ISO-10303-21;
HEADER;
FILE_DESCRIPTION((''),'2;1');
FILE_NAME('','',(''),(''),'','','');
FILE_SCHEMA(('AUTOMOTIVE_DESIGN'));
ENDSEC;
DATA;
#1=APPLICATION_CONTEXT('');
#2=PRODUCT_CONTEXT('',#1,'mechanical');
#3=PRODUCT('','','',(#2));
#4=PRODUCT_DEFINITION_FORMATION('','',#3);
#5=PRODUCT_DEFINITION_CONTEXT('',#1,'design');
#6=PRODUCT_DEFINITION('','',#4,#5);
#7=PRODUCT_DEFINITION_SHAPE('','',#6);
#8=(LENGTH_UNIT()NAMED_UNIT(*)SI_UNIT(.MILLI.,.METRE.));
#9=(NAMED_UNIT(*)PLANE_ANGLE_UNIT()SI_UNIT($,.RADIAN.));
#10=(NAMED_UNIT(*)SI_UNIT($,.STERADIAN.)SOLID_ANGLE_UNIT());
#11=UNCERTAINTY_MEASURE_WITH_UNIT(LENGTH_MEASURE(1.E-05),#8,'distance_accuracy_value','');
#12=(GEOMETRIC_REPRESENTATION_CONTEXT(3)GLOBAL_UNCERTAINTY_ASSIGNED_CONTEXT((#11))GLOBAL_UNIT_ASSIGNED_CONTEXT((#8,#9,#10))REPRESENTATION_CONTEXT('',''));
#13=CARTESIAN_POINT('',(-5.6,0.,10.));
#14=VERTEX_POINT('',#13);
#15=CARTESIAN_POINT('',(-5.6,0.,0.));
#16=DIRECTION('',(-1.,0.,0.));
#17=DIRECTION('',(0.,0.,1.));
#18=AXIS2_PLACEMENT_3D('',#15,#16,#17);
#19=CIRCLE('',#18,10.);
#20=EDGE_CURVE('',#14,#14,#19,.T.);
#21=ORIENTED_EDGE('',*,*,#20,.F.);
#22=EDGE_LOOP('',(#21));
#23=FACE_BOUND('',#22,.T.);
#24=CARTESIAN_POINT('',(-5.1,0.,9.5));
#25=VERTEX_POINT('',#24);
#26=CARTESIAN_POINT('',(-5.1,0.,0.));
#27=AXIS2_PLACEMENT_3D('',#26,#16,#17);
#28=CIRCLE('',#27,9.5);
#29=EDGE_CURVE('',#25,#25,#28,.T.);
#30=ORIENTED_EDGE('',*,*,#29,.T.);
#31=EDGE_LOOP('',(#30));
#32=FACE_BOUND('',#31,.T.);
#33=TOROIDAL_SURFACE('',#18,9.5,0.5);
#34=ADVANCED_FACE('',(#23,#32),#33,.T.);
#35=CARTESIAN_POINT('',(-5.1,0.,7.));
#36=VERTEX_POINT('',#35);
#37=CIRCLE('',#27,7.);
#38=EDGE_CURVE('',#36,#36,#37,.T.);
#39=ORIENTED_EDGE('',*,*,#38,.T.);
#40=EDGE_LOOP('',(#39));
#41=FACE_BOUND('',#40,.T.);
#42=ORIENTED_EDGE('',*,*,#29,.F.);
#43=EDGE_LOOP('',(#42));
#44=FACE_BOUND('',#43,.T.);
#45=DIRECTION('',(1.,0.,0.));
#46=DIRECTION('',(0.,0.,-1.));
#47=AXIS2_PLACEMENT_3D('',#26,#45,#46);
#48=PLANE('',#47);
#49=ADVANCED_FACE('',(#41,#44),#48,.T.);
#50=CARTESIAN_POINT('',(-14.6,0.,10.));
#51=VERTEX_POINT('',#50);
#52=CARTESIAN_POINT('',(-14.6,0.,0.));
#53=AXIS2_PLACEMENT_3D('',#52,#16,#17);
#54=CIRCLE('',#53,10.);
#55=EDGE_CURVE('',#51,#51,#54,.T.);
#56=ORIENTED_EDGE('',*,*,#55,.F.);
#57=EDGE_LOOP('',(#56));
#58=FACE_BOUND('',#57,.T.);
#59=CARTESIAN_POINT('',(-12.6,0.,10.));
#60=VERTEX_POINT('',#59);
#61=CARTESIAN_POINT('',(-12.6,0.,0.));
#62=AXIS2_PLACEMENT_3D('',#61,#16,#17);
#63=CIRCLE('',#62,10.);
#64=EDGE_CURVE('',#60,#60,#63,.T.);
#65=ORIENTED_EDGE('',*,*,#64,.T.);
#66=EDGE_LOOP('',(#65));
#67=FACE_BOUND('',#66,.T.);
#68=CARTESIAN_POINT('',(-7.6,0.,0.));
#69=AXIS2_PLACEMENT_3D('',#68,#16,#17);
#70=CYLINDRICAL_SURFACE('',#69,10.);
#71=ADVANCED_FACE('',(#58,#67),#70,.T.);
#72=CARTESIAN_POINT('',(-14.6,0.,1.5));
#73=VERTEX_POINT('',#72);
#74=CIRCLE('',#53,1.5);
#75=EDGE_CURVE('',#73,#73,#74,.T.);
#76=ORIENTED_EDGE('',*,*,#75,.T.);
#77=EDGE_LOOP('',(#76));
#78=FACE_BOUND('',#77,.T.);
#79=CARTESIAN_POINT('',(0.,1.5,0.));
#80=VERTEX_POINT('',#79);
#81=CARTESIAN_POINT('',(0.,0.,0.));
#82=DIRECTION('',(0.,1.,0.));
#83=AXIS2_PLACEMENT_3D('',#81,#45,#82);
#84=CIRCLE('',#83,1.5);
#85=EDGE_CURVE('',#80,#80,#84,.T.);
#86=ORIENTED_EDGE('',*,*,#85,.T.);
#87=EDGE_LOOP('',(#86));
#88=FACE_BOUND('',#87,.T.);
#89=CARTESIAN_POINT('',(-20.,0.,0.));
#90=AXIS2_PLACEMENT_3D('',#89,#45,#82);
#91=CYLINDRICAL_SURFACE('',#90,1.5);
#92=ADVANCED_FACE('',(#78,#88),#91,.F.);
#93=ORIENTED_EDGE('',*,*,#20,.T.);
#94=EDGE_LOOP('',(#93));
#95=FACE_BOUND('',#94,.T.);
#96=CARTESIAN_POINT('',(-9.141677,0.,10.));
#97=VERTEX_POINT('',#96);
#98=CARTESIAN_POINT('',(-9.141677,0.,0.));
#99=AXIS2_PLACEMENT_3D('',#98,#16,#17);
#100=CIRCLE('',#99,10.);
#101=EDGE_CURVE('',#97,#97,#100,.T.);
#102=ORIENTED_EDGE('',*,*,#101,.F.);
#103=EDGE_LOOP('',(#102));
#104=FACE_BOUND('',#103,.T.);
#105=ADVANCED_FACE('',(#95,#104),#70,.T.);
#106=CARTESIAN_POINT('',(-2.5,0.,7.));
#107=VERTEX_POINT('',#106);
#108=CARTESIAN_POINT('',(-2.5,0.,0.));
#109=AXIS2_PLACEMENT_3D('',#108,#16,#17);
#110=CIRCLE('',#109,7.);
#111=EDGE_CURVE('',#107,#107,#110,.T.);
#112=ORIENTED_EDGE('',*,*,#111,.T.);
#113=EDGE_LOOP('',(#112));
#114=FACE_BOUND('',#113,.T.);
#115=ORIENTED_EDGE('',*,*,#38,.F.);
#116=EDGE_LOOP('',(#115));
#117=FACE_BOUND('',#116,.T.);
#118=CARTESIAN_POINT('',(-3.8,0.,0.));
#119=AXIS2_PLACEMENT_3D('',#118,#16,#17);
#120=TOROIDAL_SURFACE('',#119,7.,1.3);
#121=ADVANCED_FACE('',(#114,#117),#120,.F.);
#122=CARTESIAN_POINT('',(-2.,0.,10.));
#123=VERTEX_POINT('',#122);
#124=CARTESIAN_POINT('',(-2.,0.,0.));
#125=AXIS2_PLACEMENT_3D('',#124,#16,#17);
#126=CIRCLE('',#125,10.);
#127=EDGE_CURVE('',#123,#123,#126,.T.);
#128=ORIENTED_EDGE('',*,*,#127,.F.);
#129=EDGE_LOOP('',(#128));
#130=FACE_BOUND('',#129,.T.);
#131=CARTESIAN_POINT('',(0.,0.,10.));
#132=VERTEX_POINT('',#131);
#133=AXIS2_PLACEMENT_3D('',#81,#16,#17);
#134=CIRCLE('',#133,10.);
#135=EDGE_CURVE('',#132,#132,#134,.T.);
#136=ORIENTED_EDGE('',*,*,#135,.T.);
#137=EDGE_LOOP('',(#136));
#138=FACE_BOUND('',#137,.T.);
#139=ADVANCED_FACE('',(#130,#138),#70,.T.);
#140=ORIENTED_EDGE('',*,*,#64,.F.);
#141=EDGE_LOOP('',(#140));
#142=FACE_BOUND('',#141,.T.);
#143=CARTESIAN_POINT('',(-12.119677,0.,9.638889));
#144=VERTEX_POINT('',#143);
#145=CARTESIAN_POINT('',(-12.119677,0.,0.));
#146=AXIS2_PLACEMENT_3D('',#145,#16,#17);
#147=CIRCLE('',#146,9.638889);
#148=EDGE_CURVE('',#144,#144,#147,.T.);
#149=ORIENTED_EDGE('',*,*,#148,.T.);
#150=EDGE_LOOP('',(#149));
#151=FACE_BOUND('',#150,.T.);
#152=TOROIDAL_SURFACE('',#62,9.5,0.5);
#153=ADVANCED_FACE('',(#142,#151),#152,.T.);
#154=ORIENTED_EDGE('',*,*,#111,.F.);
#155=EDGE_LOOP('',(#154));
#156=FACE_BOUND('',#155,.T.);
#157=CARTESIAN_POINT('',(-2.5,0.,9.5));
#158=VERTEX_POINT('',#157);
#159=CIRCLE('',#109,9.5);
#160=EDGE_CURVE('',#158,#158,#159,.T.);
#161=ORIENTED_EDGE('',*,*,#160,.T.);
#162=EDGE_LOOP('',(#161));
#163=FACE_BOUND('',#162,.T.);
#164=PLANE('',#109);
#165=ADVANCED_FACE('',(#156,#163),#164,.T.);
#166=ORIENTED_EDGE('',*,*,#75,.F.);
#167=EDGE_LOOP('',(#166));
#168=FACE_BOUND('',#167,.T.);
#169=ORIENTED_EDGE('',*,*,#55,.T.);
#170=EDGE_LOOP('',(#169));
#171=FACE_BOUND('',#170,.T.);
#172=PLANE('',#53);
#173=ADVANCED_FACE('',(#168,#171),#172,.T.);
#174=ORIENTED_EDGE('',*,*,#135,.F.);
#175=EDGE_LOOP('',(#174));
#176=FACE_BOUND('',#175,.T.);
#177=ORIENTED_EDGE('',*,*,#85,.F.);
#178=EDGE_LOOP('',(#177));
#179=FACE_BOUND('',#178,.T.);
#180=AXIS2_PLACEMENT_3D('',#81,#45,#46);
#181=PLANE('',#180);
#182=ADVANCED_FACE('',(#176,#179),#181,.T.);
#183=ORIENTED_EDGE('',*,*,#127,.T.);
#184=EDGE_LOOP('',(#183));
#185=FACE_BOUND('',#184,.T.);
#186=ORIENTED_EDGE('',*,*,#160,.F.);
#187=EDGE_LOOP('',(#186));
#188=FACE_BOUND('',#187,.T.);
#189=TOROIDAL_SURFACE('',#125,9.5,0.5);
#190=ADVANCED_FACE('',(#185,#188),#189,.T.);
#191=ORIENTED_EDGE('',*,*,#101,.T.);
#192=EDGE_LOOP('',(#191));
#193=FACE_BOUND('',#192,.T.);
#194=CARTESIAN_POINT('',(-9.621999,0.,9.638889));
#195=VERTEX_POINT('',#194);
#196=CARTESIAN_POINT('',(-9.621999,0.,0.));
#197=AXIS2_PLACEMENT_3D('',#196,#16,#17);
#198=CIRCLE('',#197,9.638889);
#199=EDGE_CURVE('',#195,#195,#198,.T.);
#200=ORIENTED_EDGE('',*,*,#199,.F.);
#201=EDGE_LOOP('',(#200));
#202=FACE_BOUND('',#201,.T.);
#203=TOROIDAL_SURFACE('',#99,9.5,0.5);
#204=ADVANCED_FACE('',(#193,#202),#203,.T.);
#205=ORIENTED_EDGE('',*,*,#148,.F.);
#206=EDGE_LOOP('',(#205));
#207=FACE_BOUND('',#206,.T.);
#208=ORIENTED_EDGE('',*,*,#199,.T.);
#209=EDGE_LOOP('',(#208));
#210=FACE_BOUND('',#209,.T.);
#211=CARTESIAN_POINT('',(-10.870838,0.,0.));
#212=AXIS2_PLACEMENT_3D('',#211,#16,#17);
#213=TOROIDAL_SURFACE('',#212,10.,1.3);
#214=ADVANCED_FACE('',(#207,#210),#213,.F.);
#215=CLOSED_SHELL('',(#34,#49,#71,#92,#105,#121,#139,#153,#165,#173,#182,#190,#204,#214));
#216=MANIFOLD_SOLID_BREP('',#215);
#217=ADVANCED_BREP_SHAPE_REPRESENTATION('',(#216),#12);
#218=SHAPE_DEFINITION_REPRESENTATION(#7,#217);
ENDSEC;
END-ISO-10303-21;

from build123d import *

# Parameters (mm, degrees)
SKETCH4_R          = 1.5
CUT_EXTRUDE1_DEPTH = 20


with BuildPart() as part:
    # Sketch1 → Revolve2 (revolve)
    with BuildSketch(Plane.XY, mode=Mode.PRIVATE) as revolve2_sk:
        with BuildLine():
            Line((-7.6, 10), (-7.6, 0))
            Line((-7.6, 0), (0, 0))
            Line((0, 0), (0, 10))
            Line((0, 10), (-2, 10))
            ThreePointArc((-2, 10), (-2.353553391, 9.853553391), (-2.5, 9.5))
            Line((-2.5, 9.5), (-2.5, 7))
            ThreePointArc((-2.5, 7), (-3.8, 5.7), (-5.1, 7))
            Line((-5.1, 7), (-5.1, 9.5))
            ThreePointArc((-5.1, 9.5), (-5.246446609, 9.853553391), (-5.6, 10))
            Line((-5.6, 10), (-7.6, 10))
        make_face()
        with BuildLine():
            Line((-14.6, 10), (-14.6, 0))
            Line((-14.6, 0), (-7.6, 0))
            Line((-7.6, 0), (-7.6, 10))
            Line((-7.6, 10), (-9.141676707, 10))
            ThreePointArc((-9.141676707, 10), (-9.442139313, 9.899652627), (-9.621999386, 9.638888889))
            ThreePointArc((-9.621999386, 9.638888889), (-10.870838353, 8.7), (-12.11967732, 9.638888889))
            ThreePointArc((-12.11967732, 9.638888889), (-12.299537394, 9.899652627), (-12.6, 10))
            Line((-12.6, 10), (-14.6, 10))
        make_face()
    revolve(revolve2_sk.sketch.rotate(Axis((-7.6, 0, 0), (1, 0, 0)), 90), axis=Axis((-7.6, 0, 0), (1, 0, 0)))

    # Sketch4 → Cut-Extrude1 (cut)
    with BuildSketch(Plane(origin=(0, 0, 0), x_dir=(0, 0, -1), z_dir=(1, 0, 0))):
        with Locations(Location((0, 0, 0), (0, 0, 90))):
            Circle(SKETCH4_R)
    extrude(amount=-CUT_EXTRUDE1_DEPTH, mode=Mode.SUBTRACT)


solid = part.part
